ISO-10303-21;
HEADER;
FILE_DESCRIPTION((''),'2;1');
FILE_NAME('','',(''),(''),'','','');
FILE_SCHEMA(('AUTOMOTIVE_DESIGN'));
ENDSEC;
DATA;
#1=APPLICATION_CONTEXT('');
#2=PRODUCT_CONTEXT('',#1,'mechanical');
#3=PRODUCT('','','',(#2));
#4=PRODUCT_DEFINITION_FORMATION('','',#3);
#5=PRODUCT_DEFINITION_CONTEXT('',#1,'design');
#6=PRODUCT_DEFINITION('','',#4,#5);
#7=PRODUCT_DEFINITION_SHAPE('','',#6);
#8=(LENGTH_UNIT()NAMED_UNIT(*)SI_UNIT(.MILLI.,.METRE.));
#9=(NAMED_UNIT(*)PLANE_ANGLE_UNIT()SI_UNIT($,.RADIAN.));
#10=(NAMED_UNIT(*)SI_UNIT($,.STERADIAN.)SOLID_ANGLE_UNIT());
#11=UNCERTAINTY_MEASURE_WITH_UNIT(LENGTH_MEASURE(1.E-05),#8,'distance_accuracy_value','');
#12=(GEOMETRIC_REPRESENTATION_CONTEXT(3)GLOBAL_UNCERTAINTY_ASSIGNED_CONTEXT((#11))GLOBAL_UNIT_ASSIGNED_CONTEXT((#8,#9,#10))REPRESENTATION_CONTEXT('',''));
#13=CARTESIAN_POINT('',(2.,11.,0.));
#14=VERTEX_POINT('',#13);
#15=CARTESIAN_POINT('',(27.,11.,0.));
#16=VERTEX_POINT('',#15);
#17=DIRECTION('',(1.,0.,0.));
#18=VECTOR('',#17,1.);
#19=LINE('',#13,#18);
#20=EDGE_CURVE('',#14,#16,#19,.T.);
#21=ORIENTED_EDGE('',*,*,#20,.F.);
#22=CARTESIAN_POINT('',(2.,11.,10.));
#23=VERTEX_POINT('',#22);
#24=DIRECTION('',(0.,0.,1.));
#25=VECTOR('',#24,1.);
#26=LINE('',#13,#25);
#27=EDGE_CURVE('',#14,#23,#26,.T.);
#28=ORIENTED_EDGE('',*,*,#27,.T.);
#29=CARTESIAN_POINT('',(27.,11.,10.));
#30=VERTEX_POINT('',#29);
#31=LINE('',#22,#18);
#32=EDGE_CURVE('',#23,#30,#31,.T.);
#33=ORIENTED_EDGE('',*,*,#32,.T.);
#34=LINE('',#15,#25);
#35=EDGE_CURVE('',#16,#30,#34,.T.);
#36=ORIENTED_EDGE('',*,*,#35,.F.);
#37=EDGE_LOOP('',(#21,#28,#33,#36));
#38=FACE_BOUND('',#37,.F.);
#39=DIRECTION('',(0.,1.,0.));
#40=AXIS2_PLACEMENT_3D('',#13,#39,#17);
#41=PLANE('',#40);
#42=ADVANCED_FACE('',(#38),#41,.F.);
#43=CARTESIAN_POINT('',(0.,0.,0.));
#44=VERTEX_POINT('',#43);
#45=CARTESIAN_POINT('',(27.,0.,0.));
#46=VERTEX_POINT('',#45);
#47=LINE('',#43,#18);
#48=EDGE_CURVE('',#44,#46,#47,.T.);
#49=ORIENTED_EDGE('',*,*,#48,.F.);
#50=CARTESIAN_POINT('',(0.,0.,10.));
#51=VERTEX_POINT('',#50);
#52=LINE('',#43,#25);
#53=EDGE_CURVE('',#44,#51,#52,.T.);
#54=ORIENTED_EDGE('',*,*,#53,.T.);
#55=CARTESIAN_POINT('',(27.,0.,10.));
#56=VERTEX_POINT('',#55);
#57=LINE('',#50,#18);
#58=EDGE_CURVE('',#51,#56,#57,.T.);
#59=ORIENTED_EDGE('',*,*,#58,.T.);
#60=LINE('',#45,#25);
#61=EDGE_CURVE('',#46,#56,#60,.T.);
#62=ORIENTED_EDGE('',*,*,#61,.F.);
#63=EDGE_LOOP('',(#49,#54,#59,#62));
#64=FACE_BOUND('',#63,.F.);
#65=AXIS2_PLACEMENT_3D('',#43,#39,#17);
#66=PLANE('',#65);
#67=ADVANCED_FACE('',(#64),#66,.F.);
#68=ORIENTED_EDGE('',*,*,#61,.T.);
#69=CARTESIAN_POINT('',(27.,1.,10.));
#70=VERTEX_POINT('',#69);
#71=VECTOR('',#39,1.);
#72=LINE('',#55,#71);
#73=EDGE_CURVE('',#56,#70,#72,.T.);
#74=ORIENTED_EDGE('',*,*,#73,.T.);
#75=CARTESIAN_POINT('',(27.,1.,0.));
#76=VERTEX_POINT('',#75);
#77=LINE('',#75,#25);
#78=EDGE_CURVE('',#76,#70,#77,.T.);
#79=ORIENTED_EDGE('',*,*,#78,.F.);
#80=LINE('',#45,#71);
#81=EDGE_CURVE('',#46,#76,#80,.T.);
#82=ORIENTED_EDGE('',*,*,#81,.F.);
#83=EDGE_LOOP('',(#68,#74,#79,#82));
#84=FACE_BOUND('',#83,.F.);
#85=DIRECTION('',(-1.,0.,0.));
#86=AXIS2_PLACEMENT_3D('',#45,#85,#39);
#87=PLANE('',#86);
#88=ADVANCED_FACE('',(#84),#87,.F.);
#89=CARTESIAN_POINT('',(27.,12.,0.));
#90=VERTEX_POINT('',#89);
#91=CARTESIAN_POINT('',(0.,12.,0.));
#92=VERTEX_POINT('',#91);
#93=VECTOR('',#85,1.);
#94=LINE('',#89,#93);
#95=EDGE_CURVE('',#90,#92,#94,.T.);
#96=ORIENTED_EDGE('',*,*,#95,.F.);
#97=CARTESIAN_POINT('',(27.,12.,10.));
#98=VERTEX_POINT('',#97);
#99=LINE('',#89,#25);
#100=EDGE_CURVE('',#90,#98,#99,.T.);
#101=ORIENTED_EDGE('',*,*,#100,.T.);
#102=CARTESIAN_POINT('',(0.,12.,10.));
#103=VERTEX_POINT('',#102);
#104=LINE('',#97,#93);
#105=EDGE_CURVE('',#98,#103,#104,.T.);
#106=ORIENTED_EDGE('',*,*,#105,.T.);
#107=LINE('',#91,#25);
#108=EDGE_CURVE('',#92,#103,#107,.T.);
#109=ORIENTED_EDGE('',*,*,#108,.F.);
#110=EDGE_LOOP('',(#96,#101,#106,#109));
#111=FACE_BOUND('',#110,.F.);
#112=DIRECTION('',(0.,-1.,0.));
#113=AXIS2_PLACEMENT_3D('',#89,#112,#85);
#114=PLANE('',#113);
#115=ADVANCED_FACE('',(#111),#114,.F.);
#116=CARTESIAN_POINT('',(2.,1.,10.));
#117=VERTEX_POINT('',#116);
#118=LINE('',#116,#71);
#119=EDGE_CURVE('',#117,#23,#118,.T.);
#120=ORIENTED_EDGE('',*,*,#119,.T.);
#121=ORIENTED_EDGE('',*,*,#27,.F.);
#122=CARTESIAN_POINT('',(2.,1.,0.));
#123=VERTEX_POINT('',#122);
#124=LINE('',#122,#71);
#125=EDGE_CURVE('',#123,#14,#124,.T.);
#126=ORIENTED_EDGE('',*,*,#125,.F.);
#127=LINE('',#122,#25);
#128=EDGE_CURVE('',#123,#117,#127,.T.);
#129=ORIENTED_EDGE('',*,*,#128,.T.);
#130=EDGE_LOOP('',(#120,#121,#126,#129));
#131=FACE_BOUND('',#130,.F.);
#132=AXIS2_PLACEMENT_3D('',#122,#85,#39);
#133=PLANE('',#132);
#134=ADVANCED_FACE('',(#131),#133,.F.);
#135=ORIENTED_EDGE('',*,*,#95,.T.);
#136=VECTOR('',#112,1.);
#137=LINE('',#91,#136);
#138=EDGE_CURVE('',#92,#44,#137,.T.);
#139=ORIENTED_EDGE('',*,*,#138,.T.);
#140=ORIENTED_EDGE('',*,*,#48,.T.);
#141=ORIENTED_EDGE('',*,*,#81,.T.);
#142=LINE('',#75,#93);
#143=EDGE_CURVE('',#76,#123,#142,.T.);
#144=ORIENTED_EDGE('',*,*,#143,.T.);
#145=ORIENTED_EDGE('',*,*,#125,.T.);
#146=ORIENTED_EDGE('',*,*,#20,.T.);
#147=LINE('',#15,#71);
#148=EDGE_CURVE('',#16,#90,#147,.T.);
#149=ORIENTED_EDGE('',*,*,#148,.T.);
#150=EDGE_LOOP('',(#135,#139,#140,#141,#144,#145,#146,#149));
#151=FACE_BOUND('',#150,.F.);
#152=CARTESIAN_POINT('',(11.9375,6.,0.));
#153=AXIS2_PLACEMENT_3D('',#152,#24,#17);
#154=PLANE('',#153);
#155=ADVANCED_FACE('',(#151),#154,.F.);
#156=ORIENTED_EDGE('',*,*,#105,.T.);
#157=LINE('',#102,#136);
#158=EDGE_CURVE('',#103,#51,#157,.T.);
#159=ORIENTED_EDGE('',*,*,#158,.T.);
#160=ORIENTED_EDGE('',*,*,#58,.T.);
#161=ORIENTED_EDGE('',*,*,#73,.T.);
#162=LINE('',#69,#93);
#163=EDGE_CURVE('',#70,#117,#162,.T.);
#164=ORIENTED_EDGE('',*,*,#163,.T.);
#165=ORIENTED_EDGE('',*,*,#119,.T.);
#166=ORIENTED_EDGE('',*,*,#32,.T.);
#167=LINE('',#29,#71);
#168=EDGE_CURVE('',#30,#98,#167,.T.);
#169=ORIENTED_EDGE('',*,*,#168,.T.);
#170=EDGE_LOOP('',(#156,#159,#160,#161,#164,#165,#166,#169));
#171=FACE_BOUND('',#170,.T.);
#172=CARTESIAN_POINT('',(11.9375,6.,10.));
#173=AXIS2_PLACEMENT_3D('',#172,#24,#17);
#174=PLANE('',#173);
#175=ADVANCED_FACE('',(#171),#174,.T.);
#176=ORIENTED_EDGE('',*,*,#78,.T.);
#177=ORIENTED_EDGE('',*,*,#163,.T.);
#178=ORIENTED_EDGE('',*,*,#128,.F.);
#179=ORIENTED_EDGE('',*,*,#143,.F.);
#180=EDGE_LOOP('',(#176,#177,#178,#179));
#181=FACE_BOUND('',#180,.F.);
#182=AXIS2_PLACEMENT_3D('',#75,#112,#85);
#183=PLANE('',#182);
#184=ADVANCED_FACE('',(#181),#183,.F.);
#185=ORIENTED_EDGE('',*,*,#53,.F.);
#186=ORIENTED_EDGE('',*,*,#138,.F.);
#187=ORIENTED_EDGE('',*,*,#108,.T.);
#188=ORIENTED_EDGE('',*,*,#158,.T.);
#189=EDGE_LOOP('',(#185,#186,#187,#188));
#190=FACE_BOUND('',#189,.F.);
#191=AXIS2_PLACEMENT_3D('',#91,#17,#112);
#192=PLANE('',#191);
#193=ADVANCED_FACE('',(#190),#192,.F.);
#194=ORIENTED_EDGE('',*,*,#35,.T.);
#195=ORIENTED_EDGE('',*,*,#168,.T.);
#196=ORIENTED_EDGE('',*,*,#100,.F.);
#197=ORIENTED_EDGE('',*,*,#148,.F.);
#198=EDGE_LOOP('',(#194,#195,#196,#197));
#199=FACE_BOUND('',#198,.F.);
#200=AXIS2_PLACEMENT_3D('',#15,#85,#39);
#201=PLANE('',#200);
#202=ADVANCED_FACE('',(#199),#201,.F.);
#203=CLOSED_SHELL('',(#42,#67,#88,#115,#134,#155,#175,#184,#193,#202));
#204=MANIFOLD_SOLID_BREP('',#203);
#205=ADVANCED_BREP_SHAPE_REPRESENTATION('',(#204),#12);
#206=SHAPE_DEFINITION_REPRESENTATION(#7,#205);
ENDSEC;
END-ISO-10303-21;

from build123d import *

# Parameters (mm, degrees)
PAD_DEPTH = 10


with BuildPart() as part:
    # Sketch → Pad (new body)
    with BuildSketch(Plane.XY):
        Polygon((0, 12), (0, 0), (27, 0), (27, 1), (2, 1), (2, 11), (27, 11), (27, 12), align=None)
    extrude(amount=PAD_DEPTH)


solid = part.part
